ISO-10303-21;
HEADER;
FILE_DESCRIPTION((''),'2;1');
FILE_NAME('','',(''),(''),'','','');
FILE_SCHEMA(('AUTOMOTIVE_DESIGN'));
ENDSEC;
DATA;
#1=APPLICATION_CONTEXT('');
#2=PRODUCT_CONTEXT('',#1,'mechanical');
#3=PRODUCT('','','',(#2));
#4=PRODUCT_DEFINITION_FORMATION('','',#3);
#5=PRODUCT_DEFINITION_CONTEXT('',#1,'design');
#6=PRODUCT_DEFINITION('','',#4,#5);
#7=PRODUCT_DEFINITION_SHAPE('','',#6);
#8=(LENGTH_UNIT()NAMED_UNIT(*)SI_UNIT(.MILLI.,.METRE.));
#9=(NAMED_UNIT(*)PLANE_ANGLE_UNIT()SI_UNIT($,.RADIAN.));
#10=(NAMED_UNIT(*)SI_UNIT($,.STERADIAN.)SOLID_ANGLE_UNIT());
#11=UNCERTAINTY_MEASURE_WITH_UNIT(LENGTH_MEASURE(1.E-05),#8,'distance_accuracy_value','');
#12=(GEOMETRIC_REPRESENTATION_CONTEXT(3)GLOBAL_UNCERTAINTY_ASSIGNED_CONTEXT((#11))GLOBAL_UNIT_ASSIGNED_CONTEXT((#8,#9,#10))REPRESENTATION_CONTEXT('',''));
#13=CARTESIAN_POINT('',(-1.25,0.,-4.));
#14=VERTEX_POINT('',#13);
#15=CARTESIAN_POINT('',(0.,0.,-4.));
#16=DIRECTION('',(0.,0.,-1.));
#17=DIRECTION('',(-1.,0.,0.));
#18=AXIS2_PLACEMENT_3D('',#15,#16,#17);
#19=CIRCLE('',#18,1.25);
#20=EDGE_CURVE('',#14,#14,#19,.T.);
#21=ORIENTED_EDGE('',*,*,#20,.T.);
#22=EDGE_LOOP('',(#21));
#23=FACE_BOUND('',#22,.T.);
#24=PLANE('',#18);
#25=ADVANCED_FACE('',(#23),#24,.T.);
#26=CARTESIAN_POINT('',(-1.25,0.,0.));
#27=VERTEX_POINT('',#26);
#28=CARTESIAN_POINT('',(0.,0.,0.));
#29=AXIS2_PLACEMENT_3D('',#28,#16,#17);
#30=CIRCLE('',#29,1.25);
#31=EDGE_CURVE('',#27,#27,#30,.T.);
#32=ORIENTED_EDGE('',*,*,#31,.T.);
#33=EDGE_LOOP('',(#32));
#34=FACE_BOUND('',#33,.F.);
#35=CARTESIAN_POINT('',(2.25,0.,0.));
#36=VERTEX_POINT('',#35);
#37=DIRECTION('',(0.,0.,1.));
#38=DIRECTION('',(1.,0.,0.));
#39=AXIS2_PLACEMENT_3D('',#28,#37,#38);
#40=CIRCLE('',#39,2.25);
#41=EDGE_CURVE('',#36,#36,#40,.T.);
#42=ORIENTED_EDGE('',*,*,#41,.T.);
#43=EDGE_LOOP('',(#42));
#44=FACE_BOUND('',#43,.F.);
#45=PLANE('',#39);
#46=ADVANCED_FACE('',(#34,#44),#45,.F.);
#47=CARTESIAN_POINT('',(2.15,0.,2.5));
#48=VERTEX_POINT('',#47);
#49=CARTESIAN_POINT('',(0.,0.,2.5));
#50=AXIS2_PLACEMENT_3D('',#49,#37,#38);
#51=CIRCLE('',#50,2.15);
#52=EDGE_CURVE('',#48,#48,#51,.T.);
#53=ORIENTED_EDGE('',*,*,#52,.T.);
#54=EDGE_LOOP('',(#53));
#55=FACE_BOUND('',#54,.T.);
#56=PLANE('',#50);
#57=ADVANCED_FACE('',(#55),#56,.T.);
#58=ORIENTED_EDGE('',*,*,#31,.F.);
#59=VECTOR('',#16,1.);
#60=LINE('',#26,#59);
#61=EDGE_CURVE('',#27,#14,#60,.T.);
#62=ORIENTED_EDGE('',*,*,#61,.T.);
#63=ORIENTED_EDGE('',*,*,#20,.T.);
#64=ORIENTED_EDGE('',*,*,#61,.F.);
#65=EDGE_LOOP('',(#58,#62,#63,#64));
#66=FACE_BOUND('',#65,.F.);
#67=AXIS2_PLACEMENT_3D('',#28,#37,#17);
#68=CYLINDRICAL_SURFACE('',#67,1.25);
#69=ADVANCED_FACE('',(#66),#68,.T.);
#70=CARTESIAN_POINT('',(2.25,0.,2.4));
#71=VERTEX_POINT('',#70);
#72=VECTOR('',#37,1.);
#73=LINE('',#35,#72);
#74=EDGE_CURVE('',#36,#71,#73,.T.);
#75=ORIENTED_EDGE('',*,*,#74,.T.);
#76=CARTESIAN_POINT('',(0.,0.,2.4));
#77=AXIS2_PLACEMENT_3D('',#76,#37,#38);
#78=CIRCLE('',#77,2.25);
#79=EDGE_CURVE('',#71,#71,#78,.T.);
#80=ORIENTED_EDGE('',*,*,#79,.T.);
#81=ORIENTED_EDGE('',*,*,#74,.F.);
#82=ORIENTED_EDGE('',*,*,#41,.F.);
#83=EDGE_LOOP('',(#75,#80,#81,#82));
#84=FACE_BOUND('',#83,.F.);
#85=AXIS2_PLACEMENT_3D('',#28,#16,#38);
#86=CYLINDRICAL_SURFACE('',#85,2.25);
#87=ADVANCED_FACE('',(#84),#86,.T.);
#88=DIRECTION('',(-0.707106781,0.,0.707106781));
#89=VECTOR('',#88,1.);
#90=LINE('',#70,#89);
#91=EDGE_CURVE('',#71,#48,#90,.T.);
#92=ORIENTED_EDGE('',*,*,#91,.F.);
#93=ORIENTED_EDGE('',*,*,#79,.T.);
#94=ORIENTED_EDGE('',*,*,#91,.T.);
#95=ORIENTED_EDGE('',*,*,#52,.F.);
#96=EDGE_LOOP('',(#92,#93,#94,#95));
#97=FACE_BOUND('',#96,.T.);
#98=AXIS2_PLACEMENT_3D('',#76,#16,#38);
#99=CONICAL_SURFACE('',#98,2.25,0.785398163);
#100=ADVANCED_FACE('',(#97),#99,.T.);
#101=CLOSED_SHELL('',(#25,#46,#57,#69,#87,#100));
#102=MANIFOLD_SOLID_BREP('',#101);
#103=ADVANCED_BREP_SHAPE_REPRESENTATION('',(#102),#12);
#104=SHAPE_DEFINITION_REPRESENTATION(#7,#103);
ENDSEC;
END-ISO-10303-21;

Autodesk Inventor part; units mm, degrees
ref_plane "YZ Plane" through (0, 0, 0) normal (1, 0, 0) x (0, 1, 0)
ref_plane "XZ Plane" through (0, 0, 0) normal (0, 1, 0) x (-1, 0, 0)
ref_plane "XY Plane" through (0, 0, 0) normal (0, 0, 1) x (1, 0, 0)
sketch "スケッチ1" plane through (0, 0, 0) normal (0, 0, 1) x (1, 0, 0)
  circle A0 centre (0, 0) radius 2.25
  dimension "d0" = 4.5
extrude "押し出し1" add sketch "スケッチ1" along normal blind 2.5
sketch "スケッチ2" plane through (0, 0, 0) normal (0, 0, -1) x (-1, 0, 0)
  circle A0 centre (0, 0) radius 1.25
  dimension "d3" = 2.5
extrude "押し出し2" add sketch "スケッチ2" along normal blind 4
chamfer "面取り1" distance 0.1 angle 45 1 edges at (-2.25, 0, 2.5)
thread "ねじ1" size "M2.5x0.45" class "6g" standard "ANSI Metric M Profile" full length
properties part number "M2.5×4" material "ステンレス鋼"
